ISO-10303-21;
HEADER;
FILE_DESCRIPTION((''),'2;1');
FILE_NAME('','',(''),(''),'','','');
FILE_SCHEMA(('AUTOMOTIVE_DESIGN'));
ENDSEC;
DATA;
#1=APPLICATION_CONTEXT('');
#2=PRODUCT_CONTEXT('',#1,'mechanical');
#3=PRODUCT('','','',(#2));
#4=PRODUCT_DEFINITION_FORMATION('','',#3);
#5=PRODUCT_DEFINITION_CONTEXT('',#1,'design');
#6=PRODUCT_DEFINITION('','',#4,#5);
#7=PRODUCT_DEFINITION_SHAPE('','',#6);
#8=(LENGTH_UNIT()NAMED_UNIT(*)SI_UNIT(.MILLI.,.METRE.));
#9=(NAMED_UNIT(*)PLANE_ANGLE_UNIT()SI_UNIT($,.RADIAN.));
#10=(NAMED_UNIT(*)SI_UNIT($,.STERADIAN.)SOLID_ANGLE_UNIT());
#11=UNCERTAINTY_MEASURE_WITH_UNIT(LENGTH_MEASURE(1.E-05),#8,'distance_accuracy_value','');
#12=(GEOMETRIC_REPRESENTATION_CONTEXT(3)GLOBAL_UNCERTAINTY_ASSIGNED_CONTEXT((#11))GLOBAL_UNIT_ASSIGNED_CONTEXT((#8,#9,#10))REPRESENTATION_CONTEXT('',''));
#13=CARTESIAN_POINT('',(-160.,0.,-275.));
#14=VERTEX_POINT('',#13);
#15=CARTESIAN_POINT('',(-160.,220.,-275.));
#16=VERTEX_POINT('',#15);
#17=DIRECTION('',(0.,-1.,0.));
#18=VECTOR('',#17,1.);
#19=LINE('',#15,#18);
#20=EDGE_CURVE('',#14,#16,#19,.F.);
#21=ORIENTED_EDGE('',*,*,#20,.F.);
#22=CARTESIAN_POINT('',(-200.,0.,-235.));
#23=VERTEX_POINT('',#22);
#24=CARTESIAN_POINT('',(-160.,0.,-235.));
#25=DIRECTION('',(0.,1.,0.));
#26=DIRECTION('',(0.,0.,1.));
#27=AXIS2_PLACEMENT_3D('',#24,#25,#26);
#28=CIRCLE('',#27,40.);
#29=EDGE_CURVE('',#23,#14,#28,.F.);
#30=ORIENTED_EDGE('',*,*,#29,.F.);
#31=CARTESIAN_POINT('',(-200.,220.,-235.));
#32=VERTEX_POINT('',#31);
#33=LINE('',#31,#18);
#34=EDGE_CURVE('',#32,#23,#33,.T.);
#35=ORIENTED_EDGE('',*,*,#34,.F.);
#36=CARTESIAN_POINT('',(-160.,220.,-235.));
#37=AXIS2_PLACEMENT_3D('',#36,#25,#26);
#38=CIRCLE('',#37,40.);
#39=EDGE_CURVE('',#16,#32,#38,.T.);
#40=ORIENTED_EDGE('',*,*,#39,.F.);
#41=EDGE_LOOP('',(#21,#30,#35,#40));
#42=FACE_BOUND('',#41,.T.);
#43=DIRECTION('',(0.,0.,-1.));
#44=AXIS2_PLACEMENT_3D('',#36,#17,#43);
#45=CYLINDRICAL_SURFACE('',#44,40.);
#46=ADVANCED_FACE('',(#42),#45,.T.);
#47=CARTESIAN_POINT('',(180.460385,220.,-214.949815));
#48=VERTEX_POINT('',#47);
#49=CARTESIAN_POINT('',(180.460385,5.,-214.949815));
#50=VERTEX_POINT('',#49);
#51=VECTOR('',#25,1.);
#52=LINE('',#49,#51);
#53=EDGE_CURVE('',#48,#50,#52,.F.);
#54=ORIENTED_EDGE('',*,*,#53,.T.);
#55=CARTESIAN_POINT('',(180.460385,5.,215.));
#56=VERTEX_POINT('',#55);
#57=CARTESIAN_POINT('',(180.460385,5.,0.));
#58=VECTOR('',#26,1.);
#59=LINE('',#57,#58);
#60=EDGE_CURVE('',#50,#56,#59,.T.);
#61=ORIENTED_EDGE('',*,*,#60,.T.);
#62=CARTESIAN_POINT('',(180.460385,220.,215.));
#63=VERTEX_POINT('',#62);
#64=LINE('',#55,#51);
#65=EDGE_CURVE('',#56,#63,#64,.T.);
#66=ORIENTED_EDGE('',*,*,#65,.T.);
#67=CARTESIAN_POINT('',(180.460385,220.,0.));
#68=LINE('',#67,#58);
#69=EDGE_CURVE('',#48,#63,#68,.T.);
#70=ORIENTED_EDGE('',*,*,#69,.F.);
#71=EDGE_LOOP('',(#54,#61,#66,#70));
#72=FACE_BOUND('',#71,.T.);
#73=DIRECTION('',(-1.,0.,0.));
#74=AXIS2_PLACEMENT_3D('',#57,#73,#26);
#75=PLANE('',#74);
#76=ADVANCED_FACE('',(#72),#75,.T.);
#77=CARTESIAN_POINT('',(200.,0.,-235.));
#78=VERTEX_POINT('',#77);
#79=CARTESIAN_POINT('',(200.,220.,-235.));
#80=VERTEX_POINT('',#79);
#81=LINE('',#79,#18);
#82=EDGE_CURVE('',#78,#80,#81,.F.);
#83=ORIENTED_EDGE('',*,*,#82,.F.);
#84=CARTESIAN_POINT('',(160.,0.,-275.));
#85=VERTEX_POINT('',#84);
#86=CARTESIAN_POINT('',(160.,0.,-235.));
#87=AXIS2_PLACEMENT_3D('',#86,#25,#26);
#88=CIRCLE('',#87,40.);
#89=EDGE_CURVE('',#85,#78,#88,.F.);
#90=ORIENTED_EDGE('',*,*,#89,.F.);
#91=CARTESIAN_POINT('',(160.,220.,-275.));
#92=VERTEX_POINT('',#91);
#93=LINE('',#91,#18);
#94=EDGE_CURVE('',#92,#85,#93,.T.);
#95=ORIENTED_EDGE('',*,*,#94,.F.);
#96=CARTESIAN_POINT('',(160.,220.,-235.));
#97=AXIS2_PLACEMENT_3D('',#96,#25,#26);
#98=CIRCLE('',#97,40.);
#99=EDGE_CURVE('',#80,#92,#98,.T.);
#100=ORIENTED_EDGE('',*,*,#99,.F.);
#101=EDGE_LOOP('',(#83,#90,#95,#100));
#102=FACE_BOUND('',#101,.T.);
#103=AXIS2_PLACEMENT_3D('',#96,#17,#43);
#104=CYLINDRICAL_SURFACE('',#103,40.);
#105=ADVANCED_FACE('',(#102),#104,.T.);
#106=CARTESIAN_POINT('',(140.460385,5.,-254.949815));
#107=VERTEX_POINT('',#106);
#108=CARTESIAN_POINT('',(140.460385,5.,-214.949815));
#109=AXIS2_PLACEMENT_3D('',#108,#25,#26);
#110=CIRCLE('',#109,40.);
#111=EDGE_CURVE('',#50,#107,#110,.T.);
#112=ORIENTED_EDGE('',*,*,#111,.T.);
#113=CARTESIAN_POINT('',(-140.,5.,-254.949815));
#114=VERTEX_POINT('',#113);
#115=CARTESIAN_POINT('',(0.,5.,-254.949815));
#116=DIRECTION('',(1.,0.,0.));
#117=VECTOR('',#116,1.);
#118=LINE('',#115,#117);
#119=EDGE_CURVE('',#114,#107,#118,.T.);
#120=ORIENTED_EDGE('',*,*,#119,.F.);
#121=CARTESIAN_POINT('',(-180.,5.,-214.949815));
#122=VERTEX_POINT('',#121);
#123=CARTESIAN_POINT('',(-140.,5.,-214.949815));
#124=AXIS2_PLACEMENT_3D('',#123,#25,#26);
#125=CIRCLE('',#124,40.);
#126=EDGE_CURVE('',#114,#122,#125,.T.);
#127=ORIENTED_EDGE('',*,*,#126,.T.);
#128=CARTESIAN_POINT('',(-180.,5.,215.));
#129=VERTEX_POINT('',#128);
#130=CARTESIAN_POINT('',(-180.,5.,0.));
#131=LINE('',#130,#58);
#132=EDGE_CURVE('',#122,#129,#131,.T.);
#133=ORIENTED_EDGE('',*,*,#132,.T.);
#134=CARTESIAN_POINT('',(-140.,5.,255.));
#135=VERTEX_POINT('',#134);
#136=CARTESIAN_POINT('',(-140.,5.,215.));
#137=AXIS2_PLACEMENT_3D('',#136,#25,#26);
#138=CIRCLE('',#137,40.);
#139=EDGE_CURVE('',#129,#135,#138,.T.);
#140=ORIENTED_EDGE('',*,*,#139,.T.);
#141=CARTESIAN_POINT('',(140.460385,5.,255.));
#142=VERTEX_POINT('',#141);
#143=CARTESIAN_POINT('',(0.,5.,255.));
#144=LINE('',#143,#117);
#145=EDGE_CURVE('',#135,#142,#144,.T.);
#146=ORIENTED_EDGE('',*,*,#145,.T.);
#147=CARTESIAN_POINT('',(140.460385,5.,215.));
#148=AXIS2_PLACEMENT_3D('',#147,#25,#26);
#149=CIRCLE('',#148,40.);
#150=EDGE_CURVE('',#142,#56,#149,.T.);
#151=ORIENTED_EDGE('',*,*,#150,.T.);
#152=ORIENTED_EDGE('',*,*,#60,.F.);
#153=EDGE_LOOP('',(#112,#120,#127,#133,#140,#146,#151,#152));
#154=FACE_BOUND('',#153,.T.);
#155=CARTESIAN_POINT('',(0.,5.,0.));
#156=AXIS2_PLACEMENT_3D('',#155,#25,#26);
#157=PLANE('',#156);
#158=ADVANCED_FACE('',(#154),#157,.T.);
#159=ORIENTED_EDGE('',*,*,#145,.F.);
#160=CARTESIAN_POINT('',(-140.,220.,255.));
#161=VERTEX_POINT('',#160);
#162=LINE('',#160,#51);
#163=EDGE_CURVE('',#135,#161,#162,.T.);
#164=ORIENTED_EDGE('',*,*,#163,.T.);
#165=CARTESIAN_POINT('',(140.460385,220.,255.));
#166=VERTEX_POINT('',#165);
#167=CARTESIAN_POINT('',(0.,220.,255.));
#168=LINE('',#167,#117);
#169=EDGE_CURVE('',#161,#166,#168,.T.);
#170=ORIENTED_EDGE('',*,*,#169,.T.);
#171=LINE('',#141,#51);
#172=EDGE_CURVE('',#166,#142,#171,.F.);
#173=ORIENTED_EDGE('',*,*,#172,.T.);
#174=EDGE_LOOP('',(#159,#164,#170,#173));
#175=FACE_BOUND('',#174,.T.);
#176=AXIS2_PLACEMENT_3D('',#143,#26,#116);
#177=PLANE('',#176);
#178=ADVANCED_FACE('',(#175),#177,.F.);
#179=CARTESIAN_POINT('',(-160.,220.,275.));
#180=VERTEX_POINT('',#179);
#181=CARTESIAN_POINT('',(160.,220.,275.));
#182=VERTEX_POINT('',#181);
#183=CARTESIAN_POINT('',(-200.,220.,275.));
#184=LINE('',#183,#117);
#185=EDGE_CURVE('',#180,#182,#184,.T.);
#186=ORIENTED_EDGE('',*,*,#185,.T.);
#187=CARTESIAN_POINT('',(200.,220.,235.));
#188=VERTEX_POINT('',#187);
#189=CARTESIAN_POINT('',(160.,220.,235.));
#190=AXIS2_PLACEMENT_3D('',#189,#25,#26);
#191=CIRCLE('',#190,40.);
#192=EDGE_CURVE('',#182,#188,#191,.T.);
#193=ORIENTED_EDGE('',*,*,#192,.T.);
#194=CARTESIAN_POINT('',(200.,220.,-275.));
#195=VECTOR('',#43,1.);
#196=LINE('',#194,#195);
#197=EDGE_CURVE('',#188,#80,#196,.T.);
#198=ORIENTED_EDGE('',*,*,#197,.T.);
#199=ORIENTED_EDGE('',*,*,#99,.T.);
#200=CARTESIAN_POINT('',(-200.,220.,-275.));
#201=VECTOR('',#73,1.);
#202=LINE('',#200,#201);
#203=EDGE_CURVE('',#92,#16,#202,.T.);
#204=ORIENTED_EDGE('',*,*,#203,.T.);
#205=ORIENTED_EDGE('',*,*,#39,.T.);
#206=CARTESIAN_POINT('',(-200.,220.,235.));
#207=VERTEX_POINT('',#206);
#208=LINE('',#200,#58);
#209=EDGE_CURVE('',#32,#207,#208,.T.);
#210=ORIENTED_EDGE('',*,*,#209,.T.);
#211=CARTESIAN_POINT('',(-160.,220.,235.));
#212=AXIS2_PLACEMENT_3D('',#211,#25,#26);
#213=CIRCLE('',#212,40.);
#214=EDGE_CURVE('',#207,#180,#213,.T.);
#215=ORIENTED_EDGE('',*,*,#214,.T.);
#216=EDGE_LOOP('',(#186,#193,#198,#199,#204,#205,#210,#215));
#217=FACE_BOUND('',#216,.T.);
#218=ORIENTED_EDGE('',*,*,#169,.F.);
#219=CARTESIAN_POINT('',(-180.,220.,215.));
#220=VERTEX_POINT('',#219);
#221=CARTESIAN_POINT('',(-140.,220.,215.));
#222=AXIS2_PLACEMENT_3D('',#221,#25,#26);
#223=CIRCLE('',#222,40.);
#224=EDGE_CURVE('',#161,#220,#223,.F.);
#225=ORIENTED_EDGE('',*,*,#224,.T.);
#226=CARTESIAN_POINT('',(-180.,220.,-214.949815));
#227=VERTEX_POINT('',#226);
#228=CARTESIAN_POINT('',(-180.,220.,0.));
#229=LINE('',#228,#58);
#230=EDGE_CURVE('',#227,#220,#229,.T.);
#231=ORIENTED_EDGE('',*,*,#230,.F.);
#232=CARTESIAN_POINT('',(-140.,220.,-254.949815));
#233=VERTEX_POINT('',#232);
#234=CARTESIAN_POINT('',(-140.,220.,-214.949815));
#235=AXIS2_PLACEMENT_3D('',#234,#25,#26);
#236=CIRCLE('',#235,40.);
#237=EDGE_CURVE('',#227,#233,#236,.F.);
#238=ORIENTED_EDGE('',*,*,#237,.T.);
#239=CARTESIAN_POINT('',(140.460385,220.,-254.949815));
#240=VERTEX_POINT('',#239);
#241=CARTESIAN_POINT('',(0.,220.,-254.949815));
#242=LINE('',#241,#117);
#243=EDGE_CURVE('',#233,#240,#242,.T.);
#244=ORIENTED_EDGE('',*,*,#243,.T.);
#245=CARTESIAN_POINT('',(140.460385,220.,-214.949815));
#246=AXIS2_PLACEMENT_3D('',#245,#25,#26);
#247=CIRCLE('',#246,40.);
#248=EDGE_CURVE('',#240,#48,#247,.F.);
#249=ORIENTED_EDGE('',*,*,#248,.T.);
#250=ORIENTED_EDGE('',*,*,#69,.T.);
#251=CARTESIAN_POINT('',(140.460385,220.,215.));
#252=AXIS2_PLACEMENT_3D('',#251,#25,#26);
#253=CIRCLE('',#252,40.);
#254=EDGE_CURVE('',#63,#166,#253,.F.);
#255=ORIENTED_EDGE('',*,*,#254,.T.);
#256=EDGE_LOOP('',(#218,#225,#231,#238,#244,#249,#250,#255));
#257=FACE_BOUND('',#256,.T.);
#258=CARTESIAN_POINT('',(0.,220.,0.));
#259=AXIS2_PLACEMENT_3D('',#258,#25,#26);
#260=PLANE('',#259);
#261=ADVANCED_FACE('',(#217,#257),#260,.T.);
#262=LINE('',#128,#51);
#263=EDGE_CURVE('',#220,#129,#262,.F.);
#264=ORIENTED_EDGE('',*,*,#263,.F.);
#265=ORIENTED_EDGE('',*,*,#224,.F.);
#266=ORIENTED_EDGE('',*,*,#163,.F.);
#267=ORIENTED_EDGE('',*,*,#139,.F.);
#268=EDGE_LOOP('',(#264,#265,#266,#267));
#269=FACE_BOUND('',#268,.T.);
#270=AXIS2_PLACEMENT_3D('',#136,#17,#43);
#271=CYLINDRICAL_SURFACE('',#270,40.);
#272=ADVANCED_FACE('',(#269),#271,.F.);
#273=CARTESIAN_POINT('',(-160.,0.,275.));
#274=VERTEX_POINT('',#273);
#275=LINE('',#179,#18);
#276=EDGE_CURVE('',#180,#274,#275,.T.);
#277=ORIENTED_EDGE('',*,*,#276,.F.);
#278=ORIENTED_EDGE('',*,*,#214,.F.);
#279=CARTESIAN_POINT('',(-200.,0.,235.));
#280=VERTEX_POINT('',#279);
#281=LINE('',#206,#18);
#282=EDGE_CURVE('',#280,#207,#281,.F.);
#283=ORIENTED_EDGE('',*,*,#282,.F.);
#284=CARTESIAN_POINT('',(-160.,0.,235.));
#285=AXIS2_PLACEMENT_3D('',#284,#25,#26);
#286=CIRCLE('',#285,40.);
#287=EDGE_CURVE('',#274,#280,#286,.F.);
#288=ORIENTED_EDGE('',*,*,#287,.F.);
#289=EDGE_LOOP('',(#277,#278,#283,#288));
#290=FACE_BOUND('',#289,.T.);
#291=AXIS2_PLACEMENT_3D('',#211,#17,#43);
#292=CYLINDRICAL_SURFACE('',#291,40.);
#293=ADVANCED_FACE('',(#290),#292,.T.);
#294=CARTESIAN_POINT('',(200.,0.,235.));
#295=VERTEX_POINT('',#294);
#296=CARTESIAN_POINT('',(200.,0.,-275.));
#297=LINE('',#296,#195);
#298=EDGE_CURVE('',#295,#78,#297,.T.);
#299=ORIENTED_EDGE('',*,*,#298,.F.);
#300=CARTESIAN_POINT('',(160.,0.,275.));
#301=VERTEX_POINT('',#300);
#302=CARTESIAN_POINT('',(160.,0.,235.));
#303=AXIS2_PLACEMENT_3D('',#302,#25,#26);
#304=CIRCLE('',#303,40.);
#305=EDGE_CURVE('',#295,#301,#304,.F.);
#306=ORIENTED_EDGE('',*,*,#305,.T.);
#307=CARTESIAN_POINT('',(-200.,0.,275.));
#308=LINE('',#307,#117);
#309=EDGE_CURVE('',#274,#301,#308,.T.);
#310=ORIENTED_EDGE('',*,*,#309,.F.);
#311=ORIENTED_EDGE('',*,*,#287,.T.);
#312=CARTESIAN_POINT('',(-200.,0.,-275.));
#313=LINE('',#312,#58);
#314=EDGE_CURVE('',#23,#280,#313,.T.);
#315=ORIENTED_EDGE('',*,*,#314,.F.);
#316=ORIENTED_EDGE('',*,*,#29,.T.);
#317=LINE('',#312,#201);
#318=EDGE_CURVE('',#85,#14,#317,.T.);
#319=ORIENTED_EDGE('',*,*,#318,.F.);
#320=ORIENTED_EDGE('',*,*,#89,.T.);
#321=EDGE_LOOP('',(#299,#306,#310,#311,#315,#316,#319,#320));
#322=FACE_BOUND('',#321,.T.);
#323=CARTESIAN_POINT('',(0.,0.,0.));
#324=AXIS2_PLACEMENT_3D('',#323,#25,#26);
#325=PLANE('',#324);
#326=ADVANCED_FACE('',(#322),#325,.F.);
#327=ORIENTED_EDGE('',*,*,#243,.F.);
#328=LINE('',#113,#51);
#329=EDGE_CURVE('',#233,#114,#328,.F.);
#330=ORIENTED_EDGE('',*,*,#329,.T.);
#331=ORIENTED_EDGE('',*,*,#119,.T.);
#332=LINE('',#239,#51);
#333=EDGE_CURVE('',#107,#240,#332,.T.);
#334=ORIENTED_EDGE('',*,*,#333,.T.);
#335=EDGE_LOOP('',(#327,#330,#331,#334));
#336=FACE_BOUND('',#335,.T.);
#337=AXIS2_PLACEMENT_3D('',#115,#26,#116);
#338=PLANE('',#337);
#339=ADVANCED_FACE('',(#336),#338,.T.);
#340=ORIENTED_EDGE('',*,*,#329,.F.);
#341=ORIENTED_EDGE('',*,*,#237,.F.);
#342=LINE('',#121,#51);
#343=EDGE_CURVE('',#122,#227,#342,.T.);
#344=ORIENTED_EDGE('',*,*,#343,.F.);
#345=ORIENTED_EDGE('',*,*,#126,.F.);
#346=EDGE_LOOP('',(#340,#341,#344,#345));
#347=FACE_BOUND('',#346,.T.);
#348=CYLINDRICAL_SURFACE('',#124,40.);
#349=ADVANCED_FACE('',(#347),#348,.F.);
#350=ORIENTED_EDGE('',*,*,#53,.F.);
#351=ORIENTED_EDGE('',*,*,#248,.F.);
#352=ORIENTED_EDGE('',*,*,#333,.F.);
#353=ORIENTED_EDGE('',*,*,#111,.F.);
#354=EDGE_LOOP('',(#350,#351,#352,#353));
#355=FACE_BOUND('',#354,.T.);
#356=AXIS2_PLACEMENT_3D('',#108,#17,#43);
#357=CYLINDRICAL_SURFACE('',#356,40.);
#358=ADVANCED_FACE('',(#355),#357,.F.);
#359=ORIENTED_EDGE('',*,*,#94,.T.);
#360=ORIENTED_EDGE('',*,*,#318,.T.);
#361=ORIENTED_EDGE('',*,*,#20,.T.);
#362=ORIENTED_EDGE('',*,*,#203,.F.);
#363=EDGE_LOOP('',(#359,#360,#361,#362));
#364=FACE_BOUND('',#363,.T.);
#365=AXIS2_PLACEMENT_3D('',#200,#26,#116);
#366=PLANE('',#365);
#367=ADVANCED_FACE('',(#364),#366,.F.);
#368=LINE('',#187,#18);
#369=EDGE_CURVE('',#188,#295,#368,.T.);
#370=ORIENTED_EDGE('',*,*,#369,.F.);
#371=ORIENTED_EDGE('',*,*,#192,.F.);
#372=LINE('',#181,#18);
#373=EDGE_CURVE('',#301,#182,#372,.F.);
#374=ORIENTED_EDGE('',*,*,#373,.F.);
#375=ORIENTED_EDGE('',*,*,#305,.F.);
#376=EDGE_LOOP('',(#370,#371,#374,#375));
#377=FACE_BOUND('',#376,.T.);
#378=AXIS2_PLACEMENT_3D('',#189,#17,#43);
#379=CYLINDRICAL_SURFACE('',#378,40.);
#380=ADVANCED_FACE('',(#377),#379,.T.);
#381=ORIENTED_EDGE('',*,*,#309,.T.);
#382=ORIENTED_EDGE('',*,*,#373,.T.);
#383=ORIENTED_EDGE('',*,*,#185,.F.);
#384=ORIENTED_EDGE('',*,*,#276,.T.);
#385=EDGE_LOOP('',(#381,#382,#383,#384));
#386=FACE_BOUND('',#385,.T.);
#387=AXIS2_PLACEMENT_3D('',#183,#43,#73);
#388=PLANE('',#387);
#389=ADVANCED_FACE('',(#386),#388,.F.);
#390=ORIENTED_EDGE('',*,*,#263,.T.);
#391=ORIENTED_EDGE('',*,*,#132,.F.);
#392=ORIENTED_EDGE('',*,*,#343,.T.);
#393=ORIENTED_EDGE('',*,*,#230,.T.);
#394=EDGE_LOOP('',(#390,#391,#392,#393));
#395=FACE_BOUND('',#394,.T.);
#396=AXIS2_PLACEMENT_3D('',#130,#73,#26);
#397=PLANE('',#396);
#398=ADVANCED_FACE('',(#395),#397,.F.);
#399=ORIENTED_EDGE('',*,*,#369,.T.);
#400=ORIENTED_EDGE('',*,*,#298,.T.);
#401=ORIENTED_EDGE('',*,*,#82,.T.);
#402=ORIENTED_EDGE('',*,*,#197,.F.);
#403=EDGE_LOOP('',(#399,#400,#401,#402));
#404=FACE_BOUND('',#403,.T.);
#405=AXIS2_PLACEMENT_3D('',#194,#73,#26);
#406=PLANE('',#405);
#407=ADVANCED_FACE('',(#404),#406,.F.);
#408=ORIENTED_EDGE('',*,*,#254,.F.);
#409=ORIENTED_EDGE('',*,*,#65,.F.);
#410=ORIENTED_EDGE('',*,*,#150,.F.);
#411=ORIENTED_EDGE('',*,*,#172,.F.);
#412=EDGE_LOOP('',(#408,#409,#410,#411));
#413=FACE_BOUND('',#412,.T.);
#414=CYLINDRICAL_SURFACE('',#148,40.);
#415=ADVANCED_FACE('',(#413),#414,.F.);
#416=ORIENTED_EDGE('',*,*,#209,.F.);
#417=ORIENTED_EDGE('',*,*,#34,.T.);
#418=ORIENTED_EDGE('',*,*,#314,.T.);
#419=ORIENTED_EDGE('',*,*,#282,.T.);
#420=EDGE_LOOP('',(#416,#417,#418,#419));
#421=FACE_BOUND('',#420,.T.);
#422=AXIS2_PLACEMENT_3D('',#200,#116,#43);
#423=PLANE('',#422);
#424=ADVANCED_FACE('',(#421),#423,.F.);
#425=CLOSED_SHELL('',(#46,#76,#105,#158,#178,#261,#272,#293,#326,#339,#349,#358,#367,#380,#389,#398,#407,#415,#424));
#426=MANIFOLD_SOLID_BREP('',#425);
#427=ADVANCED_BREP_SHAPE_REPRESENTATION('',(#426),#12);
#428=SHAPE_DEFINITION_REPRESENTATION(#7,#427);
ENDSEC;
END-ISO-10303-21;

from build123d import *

# Parameters (mm, degrees)
SKETCH1_W           = 400
SKETCH1_H           = 550
BOSS_EXTRUDE1_DEPTH = 220
SKETCH2_W           = 360.460384802
SKETCH2_H           = 509.949814821
CUT_EXTRUDE1_DEPTH  = 215
FILLET2_R           = 40
FILLET3_R           = 40


with BuildPart() as part:
    # Sketch1 → Boss-Extrude1 (new body)
    with BuildSketch(Plane(origin=(0, 0, 0), x_dir=(1, 0, 0), z_dir=(0, 1, 0))):
        Rectangle(SKETCH1_W, SKETCH1_H)
    extrude(amount=BOSS_EXTRUDE1_DEPTH)

    # Sketch2 → Cut-Extrude1 (cut)
    with BuildSketch(Plane(origin=(0, 220, 0), x_dir=(1, 0, 0), z_dir=(0, 1, 0))):
        with Locations((0.230192401, -0.02509259)):
            Rectangle(SKETCH2_W, SKETCH2_H)
    extrude(amount=-CUT_EXTRUDE1_DEPTH, mode=Mode.SUBTRACT)

    # Fillet2
    fillet2_edges = [part.edges().sort_by_distance(p)[0] for p in [
        (200, 110, 275),
        (-200, 110, 275),
        (-200, 110, -275),
        (200, 110, -275),
    ]]
    fillet(fillet2_edges, radius=FILLET2_R)

    # Fillet3
    fillet3_edges = [part.edges().sort_by_distance(p)[0] for p in [
        (180.460384802, 112.5, -254.949814821),
        (180.460384802, 112.5, 255),
        (-180, 112.5, 255),
        (-180, 112.5, -254.949814821),
    ]]
    fillet(fillet3_edges, radius=FILLET3_R)


solid = part.part
